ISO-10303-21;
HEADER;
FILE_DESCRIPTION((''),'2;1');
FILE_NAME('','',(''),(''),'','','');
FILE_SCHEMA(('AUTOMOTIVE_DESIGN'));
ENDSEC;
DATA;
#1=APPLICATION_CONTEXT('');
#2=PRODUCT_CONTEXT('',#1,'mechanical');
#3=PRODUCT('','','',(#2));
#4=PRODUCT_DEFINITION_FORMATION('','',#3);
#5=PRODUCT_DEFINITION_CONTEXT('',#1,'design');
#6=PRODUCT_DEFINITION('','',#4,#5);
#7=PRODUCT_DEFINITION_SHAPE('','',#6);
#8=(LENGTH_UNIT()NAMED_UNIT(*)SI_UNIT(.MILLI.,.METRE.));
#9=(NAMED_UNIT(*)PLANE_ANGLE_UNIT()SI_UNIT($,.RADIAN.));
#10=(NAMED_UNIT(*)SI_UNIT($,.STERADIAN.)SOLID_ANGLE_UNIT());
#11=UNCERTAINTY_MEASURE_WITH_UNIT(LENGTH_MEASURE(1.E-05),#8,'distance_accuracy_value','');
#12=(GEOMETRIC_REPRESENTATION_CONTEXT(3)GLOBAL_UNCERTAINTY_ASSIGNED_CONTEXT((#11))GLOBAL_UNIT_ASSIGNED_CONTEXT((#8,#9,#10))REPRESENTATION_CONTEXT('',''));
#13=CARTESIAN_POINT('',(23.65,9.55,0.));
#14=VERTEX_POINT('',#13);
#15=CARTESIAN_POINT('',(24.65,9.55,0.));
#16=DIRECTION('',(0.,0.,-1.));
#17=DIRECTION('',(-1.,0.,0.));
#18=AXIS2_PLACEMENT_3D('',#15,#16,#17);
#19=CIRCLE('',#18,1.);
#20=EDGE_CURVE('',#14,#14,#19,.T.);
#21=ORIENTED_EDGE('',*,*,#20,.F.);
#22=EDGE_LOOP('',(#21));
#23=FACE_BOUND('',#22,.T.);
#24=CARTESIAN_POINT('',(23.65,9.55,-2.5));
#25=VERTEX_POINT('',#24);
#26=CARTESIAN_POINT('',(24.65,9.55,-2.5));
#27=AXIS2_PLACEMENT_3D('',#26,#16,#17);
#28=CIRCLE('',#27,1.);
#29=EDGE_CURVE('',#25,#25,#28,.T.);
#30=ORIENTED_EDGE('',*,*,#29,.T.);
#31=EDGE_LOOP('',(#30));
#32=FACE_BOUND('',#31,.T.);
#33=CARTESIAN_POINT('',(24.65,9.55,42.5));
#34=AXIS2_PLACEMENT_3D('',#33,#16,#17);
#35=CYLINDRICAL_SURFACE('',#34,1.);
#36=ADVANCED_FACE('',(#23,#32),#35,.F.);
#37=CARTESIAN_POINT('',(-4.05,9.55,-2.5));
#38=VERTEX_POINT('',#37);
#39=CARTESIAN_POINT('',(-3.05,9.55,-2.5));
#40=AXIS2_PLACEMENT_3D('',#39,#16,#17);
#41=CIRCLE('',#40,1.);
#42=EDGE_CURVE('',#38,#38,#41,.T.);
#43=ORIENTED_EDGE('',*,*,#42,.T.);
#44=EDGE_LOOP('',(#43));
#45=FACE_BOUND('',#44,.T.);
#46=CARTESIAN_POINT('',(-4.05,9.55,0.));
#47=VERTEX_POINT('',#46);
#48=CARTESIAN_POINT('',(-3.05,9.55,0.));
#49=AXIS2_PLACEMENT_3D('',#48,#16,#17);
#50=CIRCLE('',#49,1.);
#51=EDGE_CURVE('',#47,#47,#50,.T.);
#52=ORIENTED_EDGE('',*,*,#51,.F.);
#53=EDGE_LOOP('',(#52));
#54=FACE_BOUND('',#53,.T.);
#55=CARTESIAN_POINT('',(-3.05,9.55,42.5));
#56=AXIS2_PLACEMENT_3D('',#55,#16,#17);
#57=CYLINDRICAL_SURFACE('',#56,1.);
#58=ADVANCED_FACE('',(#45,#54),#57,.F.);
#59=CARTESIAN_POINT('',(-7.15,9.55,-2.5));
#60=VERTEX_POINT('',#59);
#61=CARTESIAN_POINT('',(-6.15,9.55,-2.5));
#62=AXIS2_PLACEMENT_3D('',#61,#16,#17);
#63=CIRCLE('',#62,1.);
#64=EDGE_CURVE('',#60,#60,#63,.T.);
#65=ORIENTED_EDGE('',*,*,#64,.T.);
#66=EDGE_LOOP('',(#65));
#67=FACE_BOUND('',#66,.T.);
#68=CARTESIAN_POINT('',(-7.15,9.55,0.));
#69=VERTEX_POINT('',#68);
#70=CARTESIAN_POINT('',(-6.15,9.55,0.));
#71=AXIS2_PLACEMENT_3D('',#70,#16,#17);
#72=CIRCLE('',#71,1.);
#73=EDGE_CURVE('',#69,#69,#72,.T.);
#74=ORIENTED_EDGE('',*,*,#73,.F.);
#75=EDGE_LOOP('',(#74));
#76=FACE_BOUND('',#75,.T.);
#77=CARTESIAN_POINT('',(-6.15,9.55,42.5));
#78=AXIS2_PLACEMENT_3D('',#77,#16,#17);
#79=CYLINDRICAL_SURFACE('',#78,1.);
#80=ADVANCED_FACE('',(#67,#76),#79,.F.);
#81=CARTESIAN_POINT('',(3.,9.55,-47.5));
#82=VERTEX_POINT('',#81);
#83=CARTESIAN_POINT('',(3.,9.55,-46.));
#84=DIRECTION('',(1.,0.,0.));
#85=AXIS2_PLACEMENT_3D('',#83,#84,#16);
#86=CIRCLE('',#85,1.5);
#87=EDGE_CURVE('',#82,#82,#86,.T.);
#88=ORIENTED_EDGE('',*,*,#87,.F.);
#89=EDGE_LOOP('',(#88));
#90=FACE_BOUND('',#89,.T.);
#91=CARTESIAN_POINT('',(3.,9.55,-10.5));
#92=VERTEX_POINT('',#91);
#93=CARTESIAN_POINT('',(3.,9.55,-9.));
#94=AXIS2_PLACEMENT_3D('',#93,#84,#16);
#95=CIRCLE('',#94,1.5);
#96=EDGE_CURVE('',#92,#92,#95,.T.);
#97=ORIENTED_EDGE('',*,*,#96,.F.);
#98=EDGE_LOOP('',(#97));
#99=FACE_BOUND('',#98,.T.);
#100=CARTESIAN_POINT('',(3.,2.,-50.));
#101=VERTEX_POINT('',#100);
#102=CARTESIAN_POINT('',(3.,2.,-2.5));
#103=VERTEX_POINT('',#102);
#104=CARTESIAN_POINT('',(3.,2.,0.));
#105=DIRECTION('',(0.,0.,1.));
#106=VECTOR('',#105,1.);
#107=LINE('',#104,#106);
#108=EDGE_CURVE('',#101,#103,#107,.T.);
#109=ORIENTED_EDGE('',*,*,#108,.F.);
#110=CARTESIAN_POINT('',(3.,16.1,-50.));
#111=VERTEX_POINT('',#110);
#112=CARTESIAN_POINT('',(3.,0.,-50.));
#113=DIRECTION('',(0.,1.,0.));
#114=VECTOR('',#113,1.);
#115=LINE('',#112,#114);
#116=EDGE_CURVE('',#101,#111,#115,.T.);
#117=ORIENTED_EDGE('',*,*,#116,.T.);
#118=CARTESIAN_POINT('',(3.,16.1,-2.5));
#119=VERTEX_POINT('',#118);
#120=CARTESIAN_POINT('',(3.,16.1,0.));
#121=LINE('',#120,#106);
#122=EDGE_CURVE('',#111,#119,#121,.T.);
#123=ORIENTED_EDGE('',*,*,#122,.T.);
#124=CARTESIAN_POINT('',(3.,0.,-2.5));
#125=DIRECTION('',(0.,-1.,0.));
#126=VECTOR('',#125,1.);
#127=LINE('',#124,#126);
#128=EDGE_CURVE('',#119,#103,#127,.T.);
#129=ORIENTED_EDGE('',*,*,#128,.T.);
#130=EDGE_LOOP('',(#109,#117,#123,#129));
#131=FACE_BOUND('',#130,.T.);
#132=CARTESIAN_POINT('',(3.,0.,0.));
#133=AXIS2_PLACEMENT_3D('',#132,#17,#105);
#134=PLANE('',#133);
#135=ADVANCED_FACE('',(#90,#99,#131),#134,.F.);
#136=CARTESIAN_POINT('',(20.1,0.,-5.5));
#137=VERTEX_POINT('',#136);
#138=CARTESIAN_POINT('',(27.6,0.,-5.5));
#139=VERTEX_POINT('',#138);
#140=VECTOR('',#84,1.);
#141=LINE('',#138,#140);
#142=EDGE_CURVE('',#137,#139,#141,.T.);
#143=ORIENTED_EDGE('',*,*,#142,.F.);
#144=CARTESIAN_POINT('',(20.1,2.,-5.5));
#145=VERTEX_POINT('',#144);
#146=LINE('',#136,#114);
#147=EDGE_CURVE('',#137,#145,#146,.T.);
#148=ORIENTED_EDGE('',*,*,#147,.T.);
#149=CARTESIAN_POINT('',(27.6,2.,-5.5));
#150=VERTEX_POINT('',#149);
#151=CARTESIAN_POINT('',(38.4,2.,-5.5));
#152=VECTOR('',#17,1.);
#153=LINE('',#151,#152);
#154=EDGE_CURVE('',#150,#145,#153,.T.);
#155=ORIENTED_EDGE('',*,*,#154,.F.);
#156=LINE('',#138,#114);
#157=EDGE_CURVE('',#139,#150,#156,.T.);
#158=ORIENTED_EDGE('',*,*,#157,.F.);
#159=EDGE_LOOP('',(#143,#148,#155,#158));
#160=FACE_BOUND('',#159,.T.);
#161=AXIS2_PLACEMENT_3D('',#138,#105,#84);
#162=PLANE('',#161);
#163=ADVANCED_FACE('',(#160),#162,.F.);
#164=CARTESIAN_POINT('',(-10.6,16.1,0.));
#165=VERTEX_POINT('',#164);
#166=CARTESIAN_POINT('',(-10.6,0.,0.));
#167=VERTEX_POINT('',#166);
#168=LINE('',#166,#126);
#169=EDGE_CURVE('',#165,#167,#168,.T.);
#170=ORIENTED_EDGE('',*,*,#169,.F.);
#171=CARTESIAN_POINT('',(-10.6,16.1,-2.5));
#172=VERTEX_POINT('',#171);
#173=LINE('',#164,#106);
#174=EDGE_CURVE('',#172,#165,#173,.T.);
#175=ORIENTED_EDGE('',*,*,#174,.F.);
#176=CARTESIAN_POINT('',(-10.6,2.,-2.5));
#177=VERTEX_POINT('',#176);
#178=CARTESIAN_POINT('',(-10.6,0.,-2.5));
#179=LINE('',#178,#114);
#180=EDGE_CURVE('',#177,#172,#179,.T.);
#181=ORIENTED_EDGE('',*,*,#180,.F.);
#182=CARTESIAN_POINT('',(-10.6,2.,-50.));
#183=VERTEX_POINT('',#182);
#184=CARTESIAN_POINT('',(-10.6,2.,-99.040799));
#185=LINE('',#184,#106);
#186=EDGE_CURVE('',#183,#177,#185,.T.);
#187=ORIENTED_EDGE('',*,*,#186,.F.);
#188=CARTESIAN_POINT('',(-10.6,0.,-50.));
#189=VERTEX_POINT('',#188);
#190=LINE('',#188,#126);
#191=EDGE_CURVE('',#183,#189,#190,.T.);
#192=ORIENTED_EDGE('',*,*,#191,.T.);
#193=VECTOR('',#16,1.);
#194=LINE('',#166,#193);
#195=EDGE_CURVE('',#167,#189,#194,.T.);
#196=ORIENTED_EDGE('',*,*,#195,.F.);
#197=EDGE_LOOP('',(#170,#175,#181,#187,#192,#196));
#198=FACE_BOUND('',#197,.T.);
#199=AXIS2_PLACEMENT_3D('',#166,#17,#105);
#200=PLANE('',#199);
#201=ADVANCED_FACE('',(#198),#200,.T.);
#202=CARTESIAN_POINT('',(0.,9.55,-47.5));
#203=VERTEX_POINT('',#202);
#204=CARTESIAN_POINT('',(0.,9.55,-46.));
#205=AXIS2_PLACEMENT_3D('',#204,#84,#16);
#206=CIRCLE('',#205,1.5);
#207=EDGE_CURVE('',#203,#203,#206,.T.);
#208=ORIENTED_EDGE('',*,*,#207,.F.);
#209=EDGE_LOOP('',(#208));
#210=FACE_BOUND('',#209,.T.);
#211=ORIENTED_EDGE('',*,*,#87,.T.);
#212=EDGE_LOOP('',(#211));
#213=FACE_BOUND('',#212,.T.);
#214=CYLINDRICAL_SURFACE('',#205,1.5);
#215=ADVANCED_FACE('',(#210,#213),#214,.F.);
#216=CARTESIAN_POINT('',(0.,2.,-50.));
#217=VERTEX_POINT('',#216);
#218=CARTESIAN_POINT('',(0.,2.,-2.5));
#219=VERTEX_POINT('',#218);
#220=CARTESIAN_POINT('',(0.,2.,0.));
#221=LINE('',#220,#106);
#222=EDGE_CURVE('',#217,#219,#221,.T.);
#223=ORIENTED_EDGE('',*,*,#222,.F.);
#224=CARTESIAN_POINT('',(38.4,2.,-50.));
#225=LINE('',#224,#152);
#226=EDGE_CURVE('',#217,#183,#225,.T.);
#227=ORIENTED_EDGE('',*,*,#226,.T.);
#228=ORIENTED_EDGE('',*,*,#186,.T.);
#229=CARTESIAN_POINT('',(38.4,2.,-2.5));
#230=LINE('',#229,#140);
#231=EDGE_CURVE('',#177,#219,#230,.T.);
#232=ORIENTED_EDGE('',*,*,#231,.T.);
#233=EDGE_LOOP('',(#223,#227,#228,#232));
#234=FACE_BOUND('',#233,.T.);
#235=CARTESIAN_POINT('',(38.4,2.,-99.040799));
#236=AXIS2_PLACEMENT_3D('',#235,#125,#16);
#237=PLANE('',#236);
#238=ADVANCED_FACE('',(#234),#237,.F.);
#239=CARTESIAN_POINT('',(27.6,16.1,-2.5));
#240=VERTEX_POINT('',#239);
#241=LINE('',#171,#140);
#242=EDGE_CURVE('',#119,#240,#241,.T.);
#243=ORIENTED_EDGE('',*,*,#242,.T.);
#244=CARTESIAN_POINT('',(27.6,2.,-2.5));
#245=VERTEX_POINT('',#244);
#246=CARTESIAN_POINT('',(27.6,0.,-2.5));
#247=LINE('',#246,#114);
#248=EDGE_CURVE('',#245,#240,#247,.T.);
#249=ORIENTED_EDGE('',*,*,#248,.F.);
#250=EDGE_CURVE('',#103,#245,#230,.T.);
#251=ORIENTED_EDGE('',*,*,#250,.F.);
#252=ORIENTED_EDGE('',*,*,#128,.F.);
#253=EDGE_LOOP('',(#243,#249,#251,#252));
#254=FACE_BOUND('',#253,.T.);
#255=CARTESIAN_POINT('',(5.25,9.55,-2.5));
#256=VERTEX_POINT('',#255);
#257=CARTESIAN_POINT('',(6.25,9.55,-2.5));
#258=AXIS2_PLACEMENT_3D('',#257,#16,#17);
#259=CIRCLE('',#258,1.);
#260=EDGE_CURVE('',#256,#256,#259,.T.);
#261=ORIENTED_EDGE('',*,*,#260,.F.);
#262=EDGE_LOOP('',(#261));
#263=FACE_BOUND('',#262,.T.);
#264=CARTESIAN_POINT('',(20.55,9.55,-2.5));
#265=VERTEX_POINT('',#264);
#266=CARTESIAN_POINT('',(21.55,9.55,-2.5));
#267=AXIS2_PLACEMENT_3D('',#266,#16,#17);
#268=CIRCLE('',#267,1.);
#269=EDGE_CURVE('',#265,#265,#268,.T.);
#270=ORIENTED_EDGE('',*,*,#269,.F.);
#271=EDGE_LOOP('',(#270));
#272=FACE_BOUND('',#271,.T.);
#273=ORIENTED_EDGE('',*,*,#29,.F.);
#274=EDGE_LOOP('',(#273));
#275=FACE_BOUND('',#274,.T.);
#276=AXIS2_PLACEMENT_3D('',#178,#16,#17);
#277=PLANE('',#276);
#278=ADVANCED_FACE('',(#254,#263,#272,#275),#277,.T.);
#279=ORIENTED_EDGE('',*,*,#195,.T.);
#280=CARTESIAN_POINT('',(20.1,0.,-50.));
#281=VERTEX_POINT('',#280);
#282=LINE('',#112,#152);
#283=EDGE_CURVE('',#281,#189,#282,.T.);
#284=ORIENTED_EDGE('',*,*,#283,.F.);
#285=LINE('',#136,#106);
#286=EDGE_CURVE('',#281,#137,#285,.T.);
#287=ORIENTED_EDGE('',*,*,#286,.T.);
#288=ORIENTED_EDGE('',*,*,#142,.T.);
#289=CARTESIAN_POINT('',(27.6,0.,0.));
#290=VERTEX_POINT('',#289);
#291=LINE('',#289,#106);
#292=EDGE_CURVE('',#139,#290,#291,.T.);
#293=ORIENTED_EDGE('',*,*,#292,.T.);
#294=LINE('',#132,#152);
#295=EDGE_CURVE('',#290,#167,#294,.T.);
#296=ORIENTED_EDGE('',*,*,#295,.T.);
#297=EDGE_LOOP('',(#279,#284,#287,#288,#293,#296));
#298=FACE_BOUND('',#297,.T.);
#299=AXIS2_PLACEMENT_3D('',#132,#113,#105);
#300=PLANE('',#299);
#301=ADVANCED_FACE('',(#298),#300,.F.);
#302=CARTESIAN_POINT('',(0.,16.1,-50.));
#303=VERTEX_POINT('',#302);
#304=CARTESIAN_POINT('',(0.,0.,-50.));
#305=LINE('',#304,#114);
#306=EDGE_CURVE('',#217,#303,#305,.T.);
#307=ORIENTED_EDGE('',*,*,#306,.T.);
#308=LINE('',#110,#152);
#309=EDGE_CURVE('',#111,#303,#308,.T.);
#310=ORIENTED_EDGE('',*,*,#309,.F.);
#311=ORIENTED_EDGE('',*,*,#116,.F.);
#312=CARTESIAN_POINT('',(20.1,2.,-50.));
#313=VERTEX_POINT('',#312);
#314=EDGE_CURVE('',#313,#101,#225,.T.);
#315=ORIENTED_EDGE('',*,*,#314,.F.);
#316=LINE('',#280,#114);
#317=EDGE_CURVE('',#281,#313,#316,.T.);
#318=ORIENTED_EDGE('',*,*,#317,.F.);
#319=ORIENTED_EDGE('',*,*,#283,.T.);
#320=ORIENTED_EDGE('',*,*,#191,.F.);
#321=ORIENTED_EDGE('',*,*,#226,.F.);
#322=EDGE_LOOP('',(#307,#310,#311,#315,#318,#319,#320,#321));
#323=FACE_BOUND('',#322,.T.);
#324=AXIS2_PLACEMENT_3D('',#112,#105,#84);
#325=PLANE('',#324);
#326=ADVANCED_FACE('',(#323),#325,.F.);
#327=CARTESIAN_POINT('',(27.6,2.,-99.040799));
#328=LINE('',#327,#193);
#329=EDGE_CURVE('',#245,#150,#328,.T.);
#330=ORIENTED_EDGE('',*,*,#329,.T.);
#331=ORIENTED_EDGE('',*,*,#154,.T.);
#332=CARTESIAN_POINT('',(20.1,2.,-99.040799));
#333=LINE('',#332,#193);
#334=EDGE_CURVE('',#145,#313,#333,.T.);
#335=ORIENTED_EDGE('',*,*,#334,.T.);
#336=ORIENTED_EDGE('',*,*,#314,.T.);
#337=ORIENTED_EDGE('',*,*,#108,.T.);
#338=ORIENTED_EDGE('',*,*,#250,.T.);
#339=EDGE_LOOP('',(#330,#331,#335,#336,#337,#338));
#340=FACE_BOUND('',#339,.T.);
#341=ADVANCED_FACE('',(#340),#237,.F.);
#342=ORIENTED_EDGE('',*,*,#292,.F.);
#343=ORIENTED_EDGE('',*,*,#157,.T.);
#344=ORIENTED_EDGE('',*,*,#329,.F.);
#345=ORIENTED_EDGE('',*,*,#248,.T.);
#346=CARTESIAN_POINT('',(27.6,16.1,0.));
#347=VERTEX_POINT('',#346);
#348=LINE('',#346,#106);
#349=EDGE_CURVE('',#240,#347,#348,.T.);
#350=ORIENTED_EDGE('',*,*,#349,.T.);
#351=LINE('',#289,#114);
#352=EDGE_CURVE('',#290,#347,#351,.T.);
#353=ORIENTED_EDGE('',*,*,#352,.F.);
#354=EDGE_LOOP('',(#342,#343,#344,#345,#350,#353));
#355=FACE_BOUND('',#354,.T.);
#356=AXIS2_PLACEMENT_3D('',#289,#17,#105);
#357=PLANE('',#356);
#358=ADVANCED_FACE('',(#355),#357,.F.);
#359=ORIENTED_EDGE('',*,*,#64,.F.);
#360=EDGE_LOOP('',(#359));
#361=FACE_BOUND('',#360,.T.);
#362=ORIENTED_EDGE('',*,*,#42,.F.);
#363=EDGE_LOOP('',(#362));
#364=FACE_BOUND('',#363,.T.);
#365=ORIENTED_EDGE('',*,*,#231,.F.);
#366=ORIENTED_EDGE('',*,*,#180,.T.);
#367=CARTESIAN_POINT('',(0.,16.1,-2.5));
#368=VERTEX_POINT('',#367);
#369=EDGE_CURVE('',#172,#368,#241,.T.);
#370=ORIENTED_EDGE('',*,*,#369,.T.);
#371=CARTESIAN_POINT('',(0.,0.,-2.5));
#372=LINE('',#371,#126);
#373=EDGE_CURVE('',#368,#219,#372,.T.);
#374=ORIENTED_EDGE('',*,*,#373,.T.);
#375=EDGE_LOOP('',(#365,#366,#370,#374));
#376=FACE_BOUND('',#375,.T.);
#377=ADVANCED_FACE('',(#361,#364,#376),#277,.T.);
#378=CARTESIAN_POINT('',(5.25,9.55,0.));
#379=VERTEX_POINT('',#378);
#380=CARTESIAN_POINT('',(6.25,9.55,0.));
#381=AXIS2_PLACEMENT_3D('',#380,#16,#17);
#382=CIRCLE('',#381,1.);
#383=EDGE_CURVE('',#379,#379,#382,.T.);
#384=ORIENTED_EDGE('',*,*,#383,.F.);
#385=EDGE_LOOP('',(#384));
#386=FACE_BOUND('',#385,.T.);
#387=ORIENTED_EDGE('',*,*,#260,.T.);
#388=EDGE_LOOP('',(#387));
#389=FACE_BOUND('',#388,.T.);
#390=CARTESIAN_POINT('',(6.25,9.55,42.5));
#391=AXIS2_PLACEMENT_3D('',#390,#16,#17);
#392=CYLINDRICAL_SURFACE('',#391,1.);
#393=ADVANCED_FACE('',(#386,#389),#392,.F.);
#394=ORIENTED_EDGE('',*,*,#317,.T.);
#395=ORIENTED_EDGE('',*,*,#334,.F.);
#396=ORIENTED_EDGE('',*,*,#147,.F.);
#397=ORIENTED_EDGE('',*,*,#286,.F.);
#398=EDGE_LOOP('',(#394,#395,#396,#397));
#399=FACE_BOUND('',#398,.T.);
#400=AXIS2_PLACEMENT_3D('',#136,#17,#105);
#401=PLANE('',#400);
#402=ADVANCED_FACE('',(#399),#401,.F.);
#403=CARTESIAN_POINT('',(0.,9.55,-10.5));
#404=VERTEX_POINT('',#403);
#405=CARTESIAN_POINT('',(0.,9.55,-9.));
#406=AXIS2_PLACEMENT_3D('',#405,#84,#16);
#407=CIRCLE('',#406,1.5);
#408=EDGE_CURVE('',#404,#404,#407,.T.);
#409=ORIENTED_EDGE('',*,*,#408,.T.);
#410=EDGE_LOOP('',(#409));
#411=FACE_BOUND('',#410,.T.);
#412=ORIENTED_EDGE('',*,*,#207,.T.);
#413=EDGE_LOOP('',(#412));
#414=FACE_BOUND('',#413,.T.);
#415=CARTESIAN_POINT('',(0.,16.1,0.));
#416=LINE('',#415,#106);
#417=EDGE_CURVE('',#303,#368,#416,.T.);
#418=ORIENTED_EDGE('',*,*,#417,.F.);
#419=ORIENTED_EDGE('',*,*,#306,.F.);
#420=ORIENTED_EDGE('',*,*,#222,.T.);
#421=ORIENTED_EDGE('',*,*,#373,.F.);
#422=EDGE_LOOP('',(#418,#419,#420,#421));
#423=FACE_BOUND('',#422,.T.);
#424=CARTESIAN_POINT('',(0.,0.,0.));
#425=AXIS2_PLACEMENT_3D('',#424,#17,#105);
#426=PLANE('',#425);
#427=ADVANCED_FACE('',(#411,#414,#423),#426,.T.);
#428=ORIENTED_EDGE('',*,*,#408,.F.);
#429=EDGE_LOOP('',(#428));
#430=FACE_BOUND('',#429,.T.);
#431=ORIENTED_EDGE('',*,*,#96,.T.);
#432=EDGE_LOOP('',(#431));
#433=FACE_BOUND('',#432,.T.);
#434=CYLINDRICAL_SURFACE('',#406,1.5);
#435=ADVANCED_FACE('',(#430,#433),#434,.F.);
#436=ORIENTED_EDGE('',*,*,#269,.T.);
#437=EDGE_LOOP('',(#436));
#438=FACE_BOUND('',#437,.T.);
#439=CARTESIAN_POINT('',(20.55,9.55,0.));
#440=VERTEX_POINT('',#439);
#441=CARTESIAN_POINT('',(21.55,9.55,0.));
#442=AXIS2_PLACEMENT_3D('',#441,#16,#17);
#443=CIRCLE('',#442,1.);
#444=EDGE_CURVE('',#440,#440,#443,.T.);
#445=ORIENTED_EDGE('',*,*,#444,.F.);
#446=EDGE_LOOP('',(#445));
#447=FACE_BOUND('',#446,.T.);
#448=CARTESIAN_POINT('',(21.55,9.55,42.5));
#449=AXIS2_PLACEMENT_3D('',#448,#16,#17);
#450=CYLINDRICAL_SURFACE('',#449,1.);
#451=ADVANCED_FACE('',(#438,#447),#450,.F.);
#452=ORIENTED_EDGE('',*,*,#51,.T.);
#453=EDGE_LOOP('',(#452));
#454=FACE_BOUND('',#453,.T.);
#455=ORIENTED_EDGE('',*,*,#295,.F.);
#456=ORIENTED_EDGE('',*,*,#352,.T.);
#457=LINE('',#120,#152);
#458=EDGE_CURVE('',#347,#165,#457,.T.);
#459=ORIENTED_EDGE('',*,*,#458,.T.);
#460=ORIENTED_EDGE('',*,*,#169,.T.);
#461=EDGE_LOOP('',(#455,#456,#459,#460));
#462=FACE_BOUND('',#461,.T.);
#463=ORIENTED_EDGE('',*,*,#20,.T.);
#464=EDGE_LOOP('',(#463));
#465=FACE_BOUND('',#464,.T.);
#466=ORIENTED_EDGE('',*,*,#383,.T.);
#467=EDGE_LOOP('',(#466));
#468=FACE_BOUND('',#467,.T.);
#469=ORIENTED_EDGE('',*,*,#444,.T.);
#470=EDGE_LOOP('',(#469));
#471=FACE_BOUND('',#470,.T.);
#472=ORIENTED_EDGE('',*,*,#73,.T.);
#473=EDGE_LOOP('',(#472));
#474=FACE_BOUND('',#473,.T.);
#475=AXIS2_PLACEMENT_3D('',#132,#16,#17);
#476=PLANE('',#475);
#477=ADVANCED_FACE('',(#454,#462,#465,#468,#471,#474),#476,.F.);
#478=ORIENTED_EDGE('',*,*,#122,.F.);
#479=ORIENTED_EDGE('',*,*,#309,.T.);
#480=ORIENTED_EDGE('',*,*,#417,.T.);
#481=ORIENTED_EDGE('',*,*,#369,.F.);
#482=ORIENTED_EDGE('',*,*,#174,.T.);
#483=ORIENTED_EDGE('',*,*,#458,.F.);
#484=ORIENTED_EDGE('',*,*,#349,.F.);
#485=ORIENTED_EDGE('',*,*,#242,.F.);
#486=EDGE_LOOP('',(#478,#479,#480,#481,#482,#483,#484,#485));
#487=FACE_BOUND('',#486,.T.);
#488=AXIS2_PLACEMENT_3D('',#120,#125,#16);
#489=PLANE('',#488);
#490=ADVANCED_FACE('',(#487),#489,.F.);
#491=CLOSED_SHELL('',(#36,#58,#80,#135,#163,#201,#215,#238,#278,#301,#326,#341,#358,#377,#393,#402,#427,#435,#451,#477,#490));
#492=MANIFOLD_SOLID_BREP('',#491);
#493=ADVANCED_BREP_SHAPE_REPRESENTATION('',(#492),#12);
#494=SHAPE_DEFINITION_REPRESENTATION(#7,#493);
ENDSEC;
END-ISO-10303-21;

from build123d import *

# Parameters (mm, degrees)
SKETCH1_W                = 50
SKETCH1_H                = 16.1
BOSS_EXTRUDE1_DEPTH      = 3
SKETCH3_R                = 1.5
CUT_EXTRUDE1_DEPTH       = 4
SKETCH4_W                = 2.5
SKETCH4_H                = 16.1
BOSS_EXTRUDE2_DEPTH      = 35.4
BOSS_EXTRUDE2_DEPTH_BACK = 13.6
SKETCH6_R                = 1
CUT_EXTRUDE2_DEPTH       = 45
SKETCH10_W               = 49
SKETCH10_H               = 2
BOSS_EXTRUDE4_DEPTH      = 47.5
CUT_EXTRUDE5_DEPTH       = 15.1
CUT_EXTRUDE5_DEPTH_BACK  = 3


with BuildPart() as part:
    # Sketch1 → Boss-Extrude1 (new body)
    with BuildSketch(Plane(origin=(0, 0, 0), x_dir=(0, 0, -1), z_dir=(1, 0, 0))):
        with Locations((25, 8.05)):
            Rectangle(SKETCH1_W, SKETCH1_H)
    extrude(amount=BOSS_EXTRUDE1_DEPTH)

    # Sketch3 → Cut-Extrude1 (cut, through all)
    with BuildSketch(Plane(origin=(3, 0, 0), x_dir=(0, 0, -1), z_dir=(1, 0, 0))):
        with Locations((46, 9.55)):
            Circle(SKETCH3_R)
        with Locations((9, 9.55)):
            Circle(SKETCH3_R)
    extrude(amount=-CUT_EXTRUDE1_DEPTH, mode=Mode.SUBTRACT)

    # Sketch4 → Boss-Extrude2 (add, two sides)
    with BuildSketch(Plane(origin=(3, 0, 0), x_dir=(0, 0, -1), z_dir=(1, 0, 0))) as boss_extrude2_sk:
        with Locations((1.25, 8.05)):
            Rectangle(SKETCH4_W, SKETCH4_H)
    extrude(amount=BOSS_EXTRUDE2_DEPTH)
    extrude(boss_extrude2_sk.sketch, amount=-BOSS_EXTRUDE2_DEPTH_BACK)

    # Sketch6 → Cut-Extrude2 (cut)
    with BuildSketch(Plane(origin=(0, 0, -2.5), x_dir=(-1, 0, 0), z_dir=(0, 0, -1))):
        with Locations((6.15, 9.55)):
            Circle(SKETCH6_R)
        with Locations((3.05, 9.55)):
            Circle(SKETCH6_R)
        with Locations((-6.25, 9.55)):
            Circle(SKETCH6_R)
        with Locations((-21.55, 9.55)):
            Circle(SKETCH6_R)
        with Locations((-24.65, 9.55)):
            Circle(SKETCH6_R)
    extrude(amount=-CUT_EXTRUDE2_DEPTH, mode=Mode.SUBTRACT)

    # Sketch10 → Boss-Extrude4 (add)
    with BuildSketch(Plane(origin=(0, 0, -2.5), x_dir=(-1, 0, 0), z_dir=(0, 0, -1))):
        with Locations((-13.9, 1)):
            Rectangle(SKETCH10_W, SKETCH10_H)
    extrude(amount=BOSS_EXTRUDE4_DEPTH)

    # Sketch13 → Cut-Extrude5 (cut, two sides)
    with BuildSketch(Plane(origin=(0, 2, 0), x_dir=(1, 0, 0), z_dir=(0, 1, 0))) as cut_extrude5_sk:
        Polygon((20.1, 5.5), (20.1, 50), (38.4, 50), (38.4, 0), (27.6, 0), (27.6, 5.5), align=None)
    extrude(amount=CUT_EXTRUDE5_DEPTH, mode=Mode.SUBTRACT)
    extrude(cut_extrude5_sk.sketch, amount=-CUT_EXTRUDE5_DEPTH_BACK, mode=Mode.SUBTRACT)


solid = part.part
